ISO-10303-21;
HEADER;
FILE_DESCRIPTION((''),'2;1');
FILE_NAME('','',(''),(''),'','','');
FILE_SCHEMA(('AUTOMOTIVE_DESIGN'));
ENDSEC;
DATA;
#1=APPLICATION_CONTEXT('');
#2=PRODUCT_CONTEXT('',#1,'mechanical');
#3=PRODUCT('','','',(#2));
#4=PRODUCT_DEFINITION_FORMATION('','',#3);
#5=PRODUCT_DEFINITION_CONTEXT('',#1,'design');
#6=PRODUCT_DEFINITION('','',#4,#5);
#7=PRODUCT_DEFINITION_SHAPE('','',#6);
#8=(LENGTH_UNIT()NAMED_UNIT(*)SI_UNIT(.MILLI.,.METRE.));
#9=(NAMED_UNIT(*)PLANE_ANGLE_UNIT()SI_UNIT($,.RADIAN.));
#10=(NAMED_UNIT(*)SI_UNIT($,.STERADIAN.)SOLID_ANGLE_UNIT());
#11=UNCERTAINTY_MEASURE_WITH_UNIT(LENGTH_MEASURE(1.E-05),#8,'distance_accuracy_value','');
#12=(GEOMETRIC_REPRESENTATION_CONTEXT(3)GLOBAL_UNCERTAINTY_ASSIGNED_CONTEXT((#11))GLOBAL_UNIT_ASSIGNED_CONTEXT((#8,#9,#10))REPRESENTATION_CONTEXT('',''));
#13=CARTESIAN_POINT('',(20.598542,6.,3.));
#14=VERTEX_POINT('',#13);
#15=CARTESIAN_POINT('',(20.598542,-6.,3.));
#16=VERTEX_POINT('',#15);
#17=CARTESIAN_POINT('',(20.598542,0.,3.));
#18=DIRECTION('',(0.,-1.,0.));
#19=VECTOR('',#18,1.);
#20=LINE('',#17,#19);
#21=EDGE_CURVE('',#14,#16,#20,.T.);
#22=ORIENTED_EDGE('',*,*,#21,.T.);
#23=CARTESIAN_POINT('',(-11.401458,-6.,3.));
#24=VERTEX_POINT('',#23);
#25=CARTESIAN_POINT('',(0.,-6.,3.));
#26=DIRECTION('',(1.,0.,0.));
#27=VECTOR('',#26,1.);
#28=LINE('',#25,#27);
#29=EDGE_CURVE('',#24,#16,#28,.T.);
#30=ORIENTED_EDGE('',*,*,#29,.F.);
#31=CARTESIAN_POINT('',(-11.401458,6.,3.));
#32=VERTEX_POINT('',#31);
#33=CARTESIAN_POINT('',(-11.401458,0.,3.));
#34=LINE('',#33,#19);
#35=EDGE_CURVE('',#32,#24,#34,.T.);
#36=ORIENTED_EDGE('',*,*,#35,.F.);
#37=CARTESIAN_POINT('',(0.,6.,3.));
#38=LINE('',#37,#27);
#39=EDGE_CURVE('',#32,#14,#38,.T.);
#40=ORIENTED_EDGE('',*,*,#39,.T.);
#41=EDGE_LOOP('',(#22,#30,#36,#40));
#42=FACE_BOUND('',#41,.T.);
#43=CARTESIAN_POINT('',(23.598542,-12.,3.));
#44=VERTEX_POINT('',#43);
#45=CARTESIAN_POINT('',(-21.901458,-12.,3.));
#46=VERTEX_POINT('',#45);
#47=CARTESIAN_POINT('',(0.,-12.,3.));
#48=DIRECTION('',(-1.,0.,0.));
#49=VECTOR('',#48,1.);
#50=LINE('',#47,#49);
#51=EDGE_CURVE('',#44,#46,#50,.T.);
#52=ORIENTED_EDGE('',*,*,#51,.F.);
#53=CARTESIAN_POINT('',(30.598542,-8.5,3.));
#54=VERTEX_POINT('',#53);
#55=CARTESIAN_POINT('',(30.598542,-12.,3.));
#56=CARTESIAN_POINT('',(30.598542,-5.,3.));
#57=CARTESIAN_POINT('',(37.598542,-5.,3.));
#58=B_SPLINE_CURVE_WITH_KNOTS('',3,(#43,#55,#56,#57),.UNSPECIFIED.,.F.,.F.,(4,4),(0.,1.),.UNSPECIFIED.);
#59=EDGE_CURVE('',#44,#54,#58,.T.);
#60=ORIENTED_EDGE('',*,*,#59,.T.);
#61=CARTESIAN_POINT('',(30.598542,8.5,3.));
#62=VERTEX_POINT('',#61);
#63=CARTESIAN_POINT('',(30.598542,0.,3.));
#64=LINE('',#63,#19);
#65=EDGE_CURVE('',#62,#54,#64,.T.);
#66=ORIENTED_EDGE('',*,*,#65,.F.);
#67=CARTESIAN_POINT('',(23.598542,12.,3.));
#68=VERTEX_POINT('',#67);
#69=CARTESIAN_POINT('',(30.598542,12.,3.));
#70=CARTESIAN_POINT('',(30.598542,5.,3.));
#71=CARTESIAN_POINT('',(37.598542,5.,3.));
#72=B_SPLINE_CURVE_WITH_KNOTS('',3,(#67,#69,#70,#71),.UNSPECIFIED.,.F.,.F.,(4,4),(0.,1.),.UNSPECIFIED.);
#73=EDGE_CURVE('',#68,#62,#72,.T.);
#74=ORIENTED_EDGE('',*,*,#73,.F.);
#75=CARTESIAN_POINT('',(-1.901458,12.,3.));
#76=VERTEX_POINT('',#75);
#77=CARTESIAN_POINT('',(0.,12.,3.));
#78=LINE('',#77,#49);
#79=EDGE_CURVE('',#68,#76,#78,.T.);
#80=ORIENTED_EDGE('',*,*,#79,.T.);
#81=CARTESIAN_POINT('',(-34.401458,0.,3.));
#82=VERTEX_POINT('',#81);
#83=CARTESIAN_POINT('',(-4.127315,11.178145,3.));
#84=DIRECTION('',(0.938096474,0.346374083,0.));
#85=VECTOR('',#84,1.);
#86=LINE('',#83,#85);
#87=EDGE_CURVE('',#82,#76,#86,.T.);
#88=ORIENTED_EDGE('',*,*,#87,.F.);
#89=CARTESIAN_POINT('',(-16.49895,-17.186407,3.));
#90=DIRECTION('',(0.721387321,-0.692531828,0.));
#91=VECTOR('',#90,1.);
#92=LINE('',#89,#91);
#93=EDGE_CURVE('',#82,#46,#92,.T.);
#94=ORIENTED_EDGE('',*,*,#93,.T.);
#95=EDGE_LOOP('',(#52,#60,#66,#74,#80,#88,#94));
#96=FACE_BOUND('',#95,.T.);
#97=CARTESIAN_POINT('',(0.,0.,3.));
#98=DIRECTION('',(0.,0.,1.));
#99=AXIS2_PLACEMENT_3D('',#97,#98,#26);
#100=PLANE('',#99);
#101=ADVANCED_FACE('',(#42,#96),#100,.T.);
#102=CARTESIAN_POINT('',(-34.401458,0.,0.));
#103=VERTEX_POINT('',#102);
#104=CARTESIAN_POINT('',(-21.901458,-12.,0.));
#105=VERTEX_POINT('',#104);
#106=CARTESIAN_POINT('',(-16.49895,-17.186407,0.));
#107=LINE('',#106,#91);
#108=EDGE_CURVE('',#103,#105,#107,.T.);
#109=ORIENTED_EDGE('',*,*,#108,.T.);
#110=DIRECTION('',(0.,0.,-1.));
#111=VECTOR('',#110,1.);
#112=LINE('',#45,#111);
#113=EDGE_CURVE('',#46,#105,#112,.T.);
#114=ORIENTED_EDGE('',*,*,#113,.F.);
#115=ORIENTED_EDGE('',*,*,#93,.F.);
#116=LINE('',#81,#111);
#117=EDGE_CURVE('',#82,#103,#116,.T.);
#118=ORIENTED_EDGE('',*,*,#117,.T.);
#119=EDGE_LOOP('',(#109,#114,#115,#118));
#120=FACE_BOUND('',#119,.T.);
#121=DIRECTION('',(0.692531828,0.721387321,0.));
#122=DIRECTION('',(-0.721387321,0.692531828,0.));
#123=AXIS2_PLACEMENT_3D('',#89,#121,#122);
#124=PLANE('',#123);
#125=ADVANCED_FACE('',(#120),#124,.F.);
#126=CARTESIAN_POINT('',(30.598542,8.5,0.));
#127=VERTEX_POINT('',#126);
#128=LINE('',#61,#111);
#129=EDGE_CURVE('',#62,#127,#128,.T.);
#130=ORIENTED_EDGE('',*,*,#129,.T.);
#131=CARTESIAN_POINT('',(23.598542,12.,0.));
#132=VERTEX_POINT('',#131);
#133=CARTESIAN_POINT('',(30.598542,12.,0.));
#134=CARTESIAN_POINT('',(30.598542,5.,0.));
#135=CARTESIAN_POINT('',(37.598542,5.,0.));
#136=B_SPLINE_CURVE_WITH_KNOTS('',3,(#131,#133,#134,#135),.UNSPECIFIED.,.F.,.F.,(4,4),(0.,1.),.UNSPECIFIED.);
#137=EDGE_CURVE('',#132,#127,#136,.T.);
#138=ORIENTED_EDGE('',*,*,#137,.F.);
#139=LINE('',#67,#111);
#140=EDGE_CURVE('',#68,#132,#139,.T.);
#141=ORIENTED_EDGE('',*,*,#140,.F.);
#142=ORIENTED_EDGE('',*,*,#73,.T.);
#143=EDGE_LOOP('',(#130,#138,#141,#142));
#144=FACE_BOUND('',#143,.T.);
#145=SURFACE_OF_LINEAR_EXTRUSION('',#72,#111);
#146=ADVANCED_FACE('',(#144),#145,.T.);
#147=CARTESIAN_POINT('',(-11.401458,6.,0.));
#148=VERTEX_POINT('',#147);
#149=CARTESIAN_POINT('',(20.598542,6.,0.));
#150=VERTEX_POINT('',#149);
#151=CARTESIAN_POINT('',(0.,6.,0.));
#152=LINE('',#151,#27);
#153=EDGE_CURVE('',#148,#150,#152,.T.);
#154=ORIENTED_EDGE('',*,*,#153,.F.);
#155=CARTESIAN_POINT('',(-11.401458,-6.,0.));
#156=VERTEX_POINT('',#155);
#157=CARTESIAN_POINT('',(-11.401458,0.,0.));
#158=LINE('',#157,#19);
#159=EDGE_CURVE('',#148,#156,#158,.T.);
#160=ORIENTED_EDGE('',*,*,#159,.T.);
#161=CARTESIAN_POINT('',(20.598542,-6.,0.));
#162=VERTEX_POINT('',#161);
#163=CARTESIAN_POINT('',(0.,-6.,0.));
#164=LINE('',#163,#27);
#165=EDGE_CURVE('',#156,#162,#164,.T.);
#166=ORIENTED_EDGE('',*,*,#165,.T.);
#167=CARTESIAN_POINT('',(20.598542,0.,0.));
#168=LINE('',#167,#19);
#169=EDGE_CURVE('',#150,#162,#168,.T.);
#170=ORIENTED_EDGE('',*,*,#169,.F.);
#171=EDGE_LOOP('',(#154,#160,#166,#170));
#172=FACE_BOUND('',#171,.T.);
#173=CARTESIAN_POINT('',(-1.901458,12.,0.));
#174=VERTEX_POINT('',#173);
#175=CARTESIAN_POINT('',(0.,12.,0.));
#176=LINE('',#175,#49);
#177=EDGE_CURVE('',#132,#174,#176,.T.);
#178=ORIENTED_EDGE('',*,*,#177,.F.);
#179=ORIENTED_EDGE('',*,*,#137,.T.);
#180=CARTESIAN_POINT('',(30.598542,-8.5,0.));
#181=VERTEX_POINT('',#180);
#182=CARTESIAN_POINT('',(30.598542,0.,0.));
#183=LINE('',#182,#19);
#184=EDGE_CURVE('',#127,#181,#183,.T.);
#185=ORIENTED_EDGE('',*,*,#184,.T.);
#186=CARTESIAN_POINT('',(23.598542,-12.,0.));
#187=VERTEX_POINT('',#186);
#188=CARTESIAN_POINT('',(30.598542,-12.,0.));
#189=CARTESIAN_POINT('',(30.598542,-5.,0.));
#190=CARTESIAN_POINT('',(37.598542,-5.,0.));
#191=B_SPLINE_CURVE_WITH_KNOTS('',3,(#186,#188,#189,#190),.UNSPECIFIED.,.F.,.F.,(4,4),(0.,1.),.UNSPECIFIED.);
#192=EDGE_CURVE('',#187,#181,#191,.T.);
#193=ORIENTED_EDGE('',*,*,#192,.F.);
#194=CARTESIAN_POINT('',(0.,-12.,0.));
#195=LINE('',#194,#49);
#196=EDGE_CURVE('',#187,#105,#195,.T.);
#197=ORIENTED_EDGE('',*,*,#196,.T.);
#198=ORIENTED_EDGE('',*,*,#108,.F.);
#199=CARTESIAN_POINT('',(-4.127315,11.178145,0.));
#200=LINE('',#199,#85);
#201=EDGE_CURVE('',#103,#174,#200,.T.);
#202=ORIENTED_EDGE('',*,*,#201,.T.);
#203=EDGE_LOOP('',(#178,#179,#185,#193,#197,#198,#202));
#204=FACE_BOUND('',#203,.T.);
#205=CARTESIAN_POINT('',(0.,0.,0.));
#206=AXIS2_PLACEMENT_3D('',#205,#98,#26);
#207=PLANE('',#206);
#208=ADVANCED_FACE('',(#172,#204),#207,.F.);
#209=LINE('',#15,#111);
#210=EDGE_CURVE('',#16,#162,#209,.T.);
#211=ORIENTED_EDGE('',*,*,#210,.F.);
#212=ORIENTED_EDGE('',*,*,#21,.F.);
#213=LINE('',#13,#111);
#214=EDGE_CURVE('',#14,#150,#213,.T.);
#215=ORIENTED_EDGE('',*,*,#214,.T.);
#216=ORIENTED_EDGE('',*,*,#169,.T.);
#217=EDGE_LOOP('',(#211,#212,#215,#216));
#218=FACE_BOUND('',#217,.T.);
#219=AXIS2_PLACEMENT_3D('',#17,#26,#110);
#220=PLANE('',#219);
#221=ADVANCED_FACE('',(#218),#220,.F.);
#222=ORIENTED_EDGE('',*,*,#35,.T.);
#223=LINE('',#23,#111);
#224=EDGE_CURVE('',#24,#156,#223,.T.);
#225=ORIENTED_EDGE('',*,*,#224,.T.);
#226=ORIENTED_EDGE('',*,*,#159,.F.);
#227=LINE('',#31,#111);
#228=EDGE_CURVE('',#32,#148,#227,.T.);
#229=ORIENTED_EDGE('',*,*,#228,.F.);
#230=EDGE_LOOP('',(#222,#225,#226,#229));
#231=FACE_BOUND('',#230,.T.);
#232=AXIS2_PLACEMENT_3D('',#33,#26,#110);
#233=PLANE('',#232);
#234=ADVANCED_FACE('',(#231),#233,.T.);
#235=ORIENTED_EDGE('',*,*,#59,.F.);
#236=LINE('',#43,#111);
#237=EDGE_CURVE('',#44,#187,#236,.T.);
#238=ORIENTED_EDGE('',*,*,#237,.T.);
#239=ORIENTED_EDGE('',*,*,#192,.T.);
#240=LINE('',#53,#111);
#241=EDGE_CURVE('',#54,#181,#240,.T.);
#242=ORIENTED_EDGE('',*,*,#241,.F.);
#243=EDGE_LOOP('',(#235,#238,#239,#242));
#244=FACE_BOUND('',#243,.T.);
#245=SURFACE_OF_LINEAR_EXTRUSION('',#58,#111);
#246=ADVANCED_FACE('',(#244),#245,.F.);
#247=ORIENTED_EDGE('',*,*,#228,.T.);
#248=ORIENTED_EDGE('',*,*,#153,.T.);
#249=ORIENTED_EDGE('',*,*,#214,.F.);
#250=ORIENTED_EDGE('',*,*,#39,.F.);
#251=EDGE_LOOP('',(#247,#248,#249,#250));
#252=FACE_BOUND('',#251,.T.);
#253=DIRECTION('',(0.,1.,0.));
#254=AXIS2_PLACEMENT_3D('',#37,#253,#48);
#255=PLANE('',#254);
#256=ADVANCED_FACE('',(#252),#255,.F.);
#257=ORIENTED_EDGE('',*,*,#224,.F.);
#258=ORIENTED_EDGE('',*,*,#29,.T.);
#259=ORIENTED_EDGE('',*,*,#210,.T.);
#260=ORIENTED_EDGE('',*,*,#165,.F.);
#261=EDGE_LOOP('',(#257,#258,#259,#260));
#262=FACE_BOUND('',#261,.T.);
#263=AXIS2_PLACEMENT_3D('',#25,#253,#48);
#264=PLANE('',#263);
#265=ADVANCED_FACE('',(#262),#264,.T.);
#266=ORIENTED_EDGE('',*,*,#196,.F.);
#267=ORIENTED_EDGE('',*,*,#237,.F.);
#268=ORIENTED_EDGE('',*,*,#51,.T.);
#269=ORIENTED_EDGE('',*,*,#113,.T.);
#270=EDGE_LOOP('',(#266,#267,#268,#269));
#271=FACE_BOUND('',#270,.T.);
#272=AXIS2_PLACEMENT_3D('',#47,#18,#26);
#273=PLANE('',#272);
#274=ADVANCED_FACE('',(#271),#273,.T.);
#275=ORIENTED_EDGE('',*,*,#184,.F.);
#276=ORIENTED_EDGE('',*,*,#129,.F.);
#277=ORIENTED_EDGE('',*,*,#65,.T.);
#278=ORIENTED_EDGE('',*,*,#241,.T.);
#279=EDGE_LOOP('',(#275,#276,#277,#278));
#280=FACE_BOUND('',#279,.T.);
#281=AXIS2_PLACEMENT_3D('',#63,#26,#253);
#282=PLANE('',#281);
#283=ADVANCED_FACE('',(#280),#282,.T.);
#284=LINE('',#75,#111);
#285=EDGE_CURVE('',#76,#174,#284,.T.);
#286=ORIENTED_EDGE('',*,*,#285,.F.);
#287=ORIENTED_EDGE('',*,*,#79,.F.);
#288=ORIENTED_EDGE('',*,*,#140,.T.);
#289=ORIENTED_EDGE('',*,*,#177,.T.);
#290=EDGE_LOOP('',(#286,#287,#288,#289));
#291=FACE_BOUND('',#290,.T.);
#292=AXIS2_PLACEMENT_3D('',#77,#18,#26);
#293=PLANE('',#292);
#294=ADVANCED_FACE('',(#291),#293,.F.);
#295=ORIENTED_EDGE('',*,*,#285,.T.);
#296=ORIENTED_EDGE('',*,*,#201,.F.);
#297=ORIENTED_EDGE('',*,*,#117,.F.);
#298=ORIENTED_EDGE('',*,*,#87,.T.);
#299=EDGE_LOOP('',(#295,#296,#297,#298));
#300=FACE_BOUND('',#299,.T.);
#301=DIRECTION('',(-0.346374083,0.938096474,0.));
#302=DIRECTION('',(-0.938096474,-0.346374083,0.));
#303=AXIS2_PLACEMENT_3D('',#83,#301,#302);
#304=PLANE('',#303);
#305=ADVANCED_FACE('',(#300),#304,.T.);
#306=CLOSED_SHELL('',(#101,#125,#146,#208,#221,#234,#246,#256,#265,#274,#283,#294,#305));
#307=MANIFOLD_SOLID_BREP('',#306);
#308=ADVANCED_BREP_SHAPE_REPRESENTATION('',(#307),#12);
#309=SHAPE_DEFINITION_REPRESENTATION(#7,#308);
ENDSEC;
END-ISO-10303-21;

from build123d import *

# Parameters (mm, degrees)
ESQUISSE1_W        = 32
ESQUISSE1_H        = 12
BOSS_EXTRU_1_DEPTH = 3


with BuildPart() as part:
    # Esquisse1 → Boss.-Extru.1 (new body)
    with BuildSketch(Plane.XY):
        with BuildLine():
            Line((-1.901457503, 12), (-34.401457503, 0))
            Line((-34.401457503, 0), (-21.901457503, -12))
            Line((-21.901457503, -12), (23.598542497, -12))
            add(Edge.make_bspline(
                [(23.598542497, -12), (27.098542497, -12), (28.848542497, -10.25), (30.598542497, -8.5)],
                knots=[0, 0, 0, 0, 0.5, 0.5, 0.5, 0.5], degree=3))
            Line((30.598542497, -8.5), (30.598542497, 8.5))
            add(Edge.make_bspline(
                [(23.598542497, 12), (27.098542497, 12), (28.848542497, 10.25), (30.598542497, 8.5)],
                knots=[0, 0, 0, 0, 0.5, 0.5, 0.5, 0.5], degree=3))
            Line((23.598542497, 12), (-1.901457503, 12))
        make_face()
        with Locations((4.598542497, 0)):
            Rectangle(ESQUISSE1_W, ESQUISSE1_H, mode=Mode.SUBTRACT)
    extrude(amount=BOSS_EXTRU_1_DEPTH)


solid = part.part
